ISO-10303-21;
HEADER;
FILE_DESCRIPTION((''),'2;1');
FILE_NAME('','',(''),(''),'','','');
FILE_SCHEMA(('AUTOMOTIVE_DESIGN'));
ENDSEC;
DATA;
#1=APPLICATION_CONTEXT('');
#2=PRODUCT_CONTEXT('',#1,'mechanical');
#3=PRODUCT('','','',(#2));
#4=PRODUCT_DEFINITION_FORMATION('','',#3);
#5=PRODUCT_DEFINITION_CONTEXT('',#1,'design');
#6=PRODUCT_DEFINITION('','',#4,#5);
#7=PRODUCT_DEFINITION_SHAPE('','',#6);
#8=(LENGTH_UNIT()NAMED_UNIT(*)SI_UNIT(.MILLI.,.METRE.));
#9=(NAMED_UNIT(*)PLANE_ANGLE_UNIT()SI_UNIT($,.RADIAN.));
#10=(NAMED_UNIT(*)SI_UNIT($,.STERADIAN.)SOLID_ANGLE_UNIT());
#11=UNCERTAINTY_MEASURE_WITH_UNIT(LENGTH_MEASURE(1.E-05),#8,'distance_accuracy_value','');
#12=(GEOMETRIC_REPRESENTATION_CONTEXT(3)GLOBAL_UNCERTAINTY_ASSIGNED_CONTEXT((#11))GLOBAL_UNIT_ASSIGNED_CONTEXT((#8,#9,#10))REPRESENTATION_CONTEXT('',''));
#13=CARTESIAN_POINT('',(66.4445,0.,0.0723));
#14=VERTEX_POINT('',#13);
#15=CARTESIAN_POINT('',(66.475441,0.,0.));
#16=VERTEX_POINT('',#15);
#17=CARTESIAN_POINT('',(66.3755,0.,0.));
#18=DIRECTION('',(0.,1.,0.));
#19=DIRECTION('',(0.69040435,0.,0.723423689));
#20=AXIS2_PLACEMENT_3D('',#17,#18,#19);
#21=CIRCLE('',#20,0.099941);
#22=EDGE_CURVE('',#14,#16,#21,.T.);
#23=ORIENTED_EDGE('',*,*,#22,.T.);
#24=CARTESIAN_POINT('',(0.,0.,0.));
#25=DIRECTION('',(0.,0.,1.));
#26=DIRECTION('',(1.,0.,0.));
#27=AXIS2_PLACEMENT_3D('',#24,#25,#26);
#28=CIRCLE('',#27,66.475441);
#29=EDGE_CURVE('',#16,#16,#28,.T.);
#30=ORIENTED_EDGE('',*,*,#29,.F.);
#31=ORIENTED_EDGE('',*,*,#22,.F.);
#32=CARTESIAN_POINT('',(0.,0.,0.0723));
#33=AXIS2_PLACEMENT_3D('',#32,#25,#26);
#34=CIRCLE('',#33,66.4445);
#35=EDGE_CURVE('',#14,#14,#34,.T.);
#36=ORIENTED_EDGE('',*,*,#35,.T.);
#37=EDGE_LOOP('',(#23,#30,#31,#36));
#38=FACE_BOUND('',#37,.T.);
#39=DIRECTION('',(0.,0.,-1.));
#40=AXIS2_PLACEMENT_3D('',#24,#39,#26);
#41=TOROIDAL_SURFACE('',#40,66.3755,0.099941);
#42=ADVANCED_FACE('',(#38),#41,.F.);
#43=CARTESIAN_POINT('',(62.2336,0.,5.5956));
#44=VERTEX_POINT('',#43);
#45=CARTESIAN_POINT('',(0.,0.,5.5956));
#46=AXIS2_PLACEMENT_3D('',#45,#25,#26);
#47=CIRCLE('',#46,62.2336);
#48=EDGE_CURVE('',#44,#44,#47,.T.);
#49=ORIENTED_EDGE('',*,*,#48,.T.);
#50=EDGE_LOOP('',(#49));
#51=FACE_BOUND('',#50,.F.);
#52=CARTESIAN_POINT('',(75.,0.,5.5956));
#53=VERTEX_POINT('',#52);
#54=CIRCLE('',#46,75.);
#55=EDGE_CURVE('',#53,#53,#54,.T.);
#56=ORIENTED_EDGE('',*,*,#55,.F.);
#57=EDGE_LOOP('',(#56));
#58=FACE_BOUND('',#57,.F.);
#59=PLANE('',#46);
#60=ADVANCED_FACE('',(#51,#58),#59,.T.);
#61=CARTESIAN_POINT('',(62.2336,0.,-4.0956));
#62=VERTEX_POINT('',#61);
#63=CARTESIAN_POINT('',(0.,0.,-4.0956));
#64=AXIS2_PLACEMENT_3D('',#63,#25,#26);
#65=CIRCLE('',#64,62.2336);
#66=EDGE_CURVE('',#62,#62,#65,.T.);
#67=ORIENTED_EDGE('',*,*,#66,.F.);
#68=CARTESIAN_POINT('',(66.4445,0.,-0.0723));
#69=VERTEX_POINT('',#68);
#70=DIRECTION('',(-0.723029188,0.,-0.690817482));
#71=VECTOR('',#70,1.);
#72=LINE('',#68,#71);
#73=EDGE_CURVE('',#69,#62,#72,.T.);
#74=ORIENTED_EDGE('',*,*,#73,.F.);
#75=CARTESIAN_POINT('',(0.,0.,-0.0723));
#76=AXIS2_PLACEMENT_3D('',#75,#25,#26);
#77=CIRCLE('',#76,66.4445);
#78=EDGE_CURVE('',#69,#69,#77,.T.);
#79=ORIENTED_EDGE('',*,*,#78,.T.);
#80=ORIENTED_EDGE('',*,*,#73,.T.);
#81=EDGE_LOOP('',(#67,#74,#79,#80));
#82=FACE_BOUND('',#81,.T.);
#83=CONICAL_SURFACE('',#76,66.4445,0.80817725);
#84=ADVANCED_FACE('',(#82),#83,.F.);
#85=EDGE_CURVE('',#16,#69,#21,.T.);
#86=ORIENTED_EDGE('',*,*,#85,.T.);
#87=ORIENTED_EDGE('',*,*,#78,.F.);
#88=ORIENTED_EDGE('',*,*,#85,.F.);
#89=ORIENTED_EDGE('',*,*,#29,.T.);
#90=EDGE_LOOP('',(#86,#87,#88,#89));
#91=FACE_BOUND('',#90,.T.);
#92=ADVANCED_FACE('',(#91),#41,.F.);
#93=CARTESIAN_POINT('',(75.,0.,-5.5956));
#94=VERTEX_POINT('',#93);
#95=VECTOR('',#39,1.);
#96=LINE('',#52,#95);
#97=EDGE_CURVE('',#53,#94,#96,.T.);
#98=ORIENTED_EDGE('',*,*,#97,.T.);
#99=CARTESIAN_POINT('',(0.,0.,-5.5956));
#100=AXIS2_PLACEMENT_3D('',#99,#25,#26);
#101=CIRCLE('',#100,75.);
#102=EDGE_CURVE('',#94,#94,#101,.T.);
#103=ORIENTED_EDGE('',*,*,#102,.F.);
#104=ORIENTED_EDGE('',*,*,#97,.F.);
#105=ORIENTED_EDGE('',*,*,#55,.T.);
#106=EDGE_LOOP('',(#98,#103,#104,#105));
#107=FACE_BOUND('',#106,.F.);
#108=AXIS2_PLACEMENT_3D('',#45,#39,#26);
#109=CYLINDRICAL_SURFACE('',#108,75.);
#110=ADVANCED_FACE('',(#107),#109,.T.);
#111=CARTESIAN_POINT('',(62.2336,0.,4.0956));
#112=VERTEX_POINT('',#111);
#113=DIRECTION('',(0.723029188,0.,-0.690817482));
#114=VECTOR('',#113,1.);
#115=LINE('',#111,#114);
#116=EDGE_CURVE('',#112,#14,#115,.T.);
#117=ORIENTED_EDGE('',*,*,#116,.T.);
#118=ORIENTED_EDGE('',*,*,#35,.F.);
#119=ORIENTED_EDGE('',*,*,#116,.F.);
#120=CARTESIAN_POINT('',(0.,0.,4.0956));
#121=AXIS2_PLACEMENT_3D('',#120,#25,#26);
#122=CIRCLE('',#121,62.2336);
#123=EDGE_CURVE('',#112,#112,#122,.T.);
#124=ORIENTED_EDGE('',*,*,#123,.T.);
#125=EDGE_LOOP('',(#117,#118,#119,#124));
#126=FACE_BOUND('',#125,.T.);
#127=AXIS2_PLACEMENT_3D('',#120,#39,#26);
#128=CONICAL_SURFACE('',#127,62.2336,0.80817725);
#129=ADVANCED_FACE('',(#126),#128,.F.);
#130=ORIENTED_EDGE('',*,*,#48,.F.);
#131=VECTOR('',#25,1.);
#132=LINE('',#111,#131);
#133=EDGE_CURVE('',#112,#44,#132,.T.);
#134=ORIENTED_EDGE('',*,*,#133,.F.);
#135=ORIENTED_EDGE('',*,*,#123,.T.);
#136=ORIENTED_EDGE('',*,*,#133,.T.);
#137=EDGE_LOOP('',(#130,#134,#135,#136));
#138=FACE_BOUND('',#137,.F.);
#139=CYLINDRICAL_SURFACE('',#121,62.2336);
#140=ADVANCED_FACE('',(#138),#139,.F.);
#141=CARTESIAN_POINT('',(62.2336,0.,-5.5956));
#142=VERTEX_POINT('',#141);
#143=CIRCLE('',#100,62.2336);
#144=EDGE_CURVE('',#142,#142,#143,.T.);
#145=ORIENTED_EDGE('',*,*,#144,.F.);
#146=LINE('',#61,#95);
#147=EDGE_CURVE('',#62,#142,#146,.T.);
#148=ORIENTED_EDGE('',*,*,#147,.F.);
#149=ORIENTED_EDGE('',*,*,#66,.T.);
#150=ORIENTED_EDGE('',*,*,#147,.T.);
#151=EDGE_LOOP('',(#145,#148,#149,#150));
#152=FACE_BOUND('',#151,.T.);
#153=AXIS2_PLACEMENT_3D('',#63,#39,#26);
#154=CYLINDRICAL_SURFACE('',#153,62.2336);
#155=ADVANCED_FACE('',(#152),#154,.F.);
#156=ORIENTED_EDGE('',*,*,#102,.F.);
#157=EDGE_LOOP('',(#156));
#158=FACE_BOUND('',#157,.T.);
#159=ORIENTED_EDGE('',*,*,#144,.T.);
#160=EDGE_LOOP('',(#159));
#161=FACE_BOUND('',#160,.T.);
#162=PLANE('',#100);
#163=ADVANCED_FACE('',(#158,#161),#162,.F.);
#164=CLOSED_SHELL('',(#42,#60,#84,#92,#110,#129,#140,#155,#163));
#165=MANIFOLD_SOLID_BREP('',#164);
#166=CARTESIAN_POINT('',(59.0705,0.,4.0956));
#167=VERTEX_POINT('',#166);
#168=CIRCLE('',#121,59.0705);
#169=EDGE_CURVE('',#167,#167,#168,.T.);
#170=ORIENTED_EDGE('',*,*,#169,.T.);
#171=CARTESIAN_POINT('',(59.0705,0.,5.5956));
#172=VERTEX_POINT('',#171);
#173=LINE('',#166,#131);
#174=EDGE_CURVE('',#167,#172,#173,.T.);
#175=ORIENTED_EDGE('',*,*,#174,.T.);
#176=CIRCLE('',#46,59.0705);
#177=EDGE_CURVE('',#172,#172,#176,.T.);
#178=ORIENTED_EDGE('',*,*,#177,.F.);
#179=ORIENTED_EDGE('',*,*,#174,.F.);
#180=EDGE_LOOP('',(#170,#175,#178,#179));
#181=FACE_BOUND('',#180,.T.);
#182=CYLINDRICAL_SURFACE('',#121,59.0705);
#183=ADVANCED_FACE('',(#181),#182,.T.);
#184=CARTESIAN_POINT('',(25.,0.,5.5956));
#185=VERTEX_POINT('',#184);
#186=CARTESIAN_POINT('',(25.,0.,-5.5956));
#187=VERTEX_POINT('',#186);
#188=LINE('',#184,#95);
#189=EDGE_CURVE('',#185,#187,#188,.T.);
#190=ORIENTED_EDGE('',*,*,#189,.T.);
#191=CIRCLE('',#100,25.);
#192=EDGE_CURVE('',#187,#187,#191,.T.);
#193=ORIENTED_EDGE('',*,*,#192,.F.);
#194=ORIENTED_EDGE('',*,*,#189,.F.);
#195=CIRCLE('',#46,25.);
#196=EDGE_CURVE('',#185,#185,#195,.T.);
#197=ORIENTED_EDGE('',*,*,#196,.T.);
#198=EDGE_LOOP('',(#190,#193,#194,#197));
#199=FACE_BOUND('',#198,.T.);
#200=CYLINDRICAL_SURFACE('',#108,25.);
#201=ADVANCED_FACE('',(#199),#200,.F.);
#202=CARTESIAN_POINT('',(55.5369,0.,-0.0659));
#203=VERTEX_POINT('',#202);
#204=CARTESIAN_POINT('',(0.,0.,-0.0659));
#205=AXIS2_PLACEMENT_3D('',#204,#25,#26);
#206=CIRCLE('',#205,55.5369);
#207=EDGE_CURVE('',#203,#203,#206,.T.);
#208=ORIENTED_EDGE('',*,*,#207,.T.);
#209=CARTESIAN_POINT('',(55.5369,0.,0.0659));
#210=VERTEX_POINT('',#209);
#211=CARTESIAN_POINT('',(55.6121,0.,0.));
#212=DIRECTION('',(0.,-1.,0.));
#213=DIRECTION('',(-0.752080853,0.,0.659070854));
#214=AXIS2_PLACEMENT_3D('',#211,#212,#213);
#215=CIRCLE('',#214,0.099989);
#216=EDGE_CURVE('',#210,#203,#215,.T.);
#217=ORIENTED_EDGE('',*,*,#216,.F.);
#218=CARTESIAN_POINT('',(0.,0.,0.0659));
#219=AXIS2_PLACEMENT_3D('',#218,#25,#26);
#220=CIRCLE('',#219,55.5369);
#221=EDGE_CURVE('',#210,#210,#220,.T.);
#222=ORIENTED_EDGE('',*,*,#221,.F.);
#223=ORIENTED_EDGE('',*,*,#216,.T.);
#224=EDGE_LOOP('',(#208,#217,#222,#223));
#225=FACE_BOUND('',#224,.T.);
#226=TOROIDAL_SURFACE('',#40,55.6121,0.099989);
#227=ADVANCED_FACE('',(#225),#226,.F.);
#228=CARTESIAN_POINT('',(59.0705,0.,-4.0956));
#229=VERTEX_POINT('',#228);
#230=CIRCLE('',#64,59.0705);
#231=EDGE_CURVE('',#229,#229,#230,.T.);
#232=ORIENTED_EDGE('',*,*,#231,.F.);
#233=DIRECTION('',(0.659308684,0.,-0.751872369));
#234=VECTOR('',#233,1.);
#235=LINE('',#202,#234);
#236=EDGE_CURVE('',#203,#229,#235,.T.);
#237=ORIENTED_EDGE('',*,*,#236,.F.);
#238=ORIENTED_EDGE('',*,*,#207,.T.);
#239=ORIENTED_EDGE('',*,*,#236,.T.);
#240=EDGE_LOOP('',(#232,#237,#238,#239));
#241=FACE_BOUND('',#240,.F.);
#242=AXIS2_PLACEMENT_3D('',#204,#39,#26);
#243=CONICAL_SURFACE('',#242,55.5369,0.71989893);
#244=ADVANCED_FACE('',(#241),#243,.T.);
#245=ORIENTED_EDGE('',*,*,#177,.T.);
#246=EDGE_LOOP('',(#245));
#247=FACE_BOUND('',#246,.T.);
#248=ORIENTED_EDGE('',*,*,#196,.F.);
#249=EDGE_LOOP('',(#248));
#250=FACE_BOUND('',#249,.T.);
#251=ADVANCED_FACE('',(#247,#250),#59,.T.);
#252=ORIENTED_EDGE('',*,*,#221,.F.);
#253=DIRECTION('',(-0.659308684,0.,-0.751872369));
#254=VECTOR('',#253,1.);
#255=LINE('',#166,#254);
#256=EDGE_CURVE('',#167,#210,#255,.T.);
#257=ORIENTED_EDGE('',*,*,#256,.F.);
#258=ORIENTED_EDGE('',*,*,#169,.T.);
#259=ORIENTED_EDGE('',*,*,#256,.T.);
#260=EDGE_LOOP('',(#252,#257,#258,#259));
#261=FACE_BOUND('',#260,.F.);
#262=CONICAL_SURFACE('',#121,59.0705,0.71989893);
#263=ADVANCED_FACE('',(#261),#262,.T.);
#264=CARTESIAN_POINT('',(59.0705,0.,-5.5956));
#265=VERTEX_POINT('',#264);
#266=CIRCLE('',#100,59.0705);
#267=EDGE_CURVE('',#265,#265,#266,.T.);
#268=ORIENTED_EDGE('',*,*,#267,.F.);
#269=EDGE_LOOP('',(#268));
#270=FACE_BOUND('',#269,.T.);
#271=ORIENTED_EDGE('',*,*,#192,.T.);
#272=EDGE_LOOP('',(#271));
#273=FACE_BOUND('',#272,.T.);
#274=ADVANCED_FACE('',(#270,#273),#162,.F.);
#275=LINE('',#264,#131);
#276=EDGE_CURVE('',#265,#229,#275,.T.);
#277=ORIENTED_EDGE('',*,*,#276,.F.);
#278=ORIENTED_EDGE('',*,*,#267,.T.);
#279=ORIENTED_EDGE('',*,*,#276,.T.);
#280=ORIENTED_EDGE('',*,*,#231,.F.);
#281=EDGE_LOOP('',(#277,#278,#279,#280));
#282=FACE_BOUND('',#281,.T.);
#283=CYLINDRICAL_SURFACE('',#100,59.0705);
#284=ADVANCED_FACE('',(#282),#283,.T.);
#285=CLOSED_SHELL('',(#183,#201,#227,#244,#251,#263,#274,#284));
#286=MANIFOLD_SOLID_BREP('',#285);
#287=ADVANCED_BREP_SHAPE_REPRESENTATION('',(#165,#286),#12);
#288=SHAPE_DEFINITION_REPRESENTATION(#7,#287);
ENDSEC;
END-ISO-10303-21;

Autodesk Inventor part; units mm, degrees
ref_plane "YZ Plane" through (0, 0, 0) normal (1, 0, 0) x (0, 1, 0)
ref_plane "XZ Plane" through (0, 0, 0) normal (0, 1, 0) x (-1, 0, 0)
sketch "Sketch7" plane through (0, 0, 0) normal (0, 1, 0) x (-1, 0, 0)
  line L0 (0, 0) -> (0, 63.4182)
  line L1 (0, 0) -> (-60.766, 0) construction
  line L2 (0, 63.4182) -> (-60.766, 0) construction
  line L3 (0, 63.4182) -> (-66.3755, 0) construction
  line L4 (0, 63.4182) -> (-60.5189, -5.5956) construction
  line L5 (0, 0) -> (0, -63.4182)
  line L6 (0, -63.4182) -> (-60.766, 0) construction
  line L7 (0, -63.4182) -> (-66.3755, 0) construction
  line L8 (0, -63.4182) -> (-60.5189, 5.5956) construction
  line L9 (-60.5189, 5.5956) -> (-66.3755, 0) construction
  line L10 (-55.6121, 0) -> (-64.3632, -8.3612) construction
  line L11 (-55.6121, 0) -> (-39.6464, -15.2543) construction
  line L12 (0, -88.9988) -> (0, 125.9803) projected
  line L13 (-53.5, -5.9919) -> (-53.5, 6.008)
  line L14 (83.2786, 0) -> (-105.9214, 0) projected
  line L15 (-63.5667, 2.6836) -> (-57.9653, -2.6836) construction
  line L16 (-57.9653, 2.6836) -> (-63.5667, -2.6836) construction
  line L17 (-26.151, -15.9303) -> (-40.3783, -15.9303) construction
  line L18 (-40.3783, -15.9303) -> (-40.3783, -12.7539) construction
  line L19 (-40.3783, -12.7539) -> (-26.151, -12.7539) construction
  line L20 (-26.151, -12.7539) -> (-26.151, -15.9303) construction
  point P0 (-53.5, 0)
  dimension "Roller_Side_difference" = -0.164
  dimension "d90" = 63.4182
  dimension "d201" = 53.5
  dimension "d343" = 92.447
  dimension "d344" = 92.611
  dimension "d367" = 8.1
sketch "Sketch1" plane through (0, 0, 0) normal (0, 0, 1) x (1, 0, 0)
  circle A0 centre (0, 0) radius 60.766 construction
  line L0 (0, 0) -> (60.766, 0)
  line L1 (0, 0) -> (60.766, 4.025)
  line L2 (60.766, 0) -> (60.766, 4.025)
  circle A1 centre (0, 0) radius 53.5
  point P0 (56.8, 0)
  dimension "d56" = 60.766
  dimension "d57" = 4.025
  dimension "d400" = 53.5
  dimension "d531" = 5.5
  dimension "d532" = 5.5
  dimension "d533" = 5.5
  dimension "d537" = 24.5
  dimension "d538" = 3
  dimension "d543" = 5
  dimension "d549" = 3
  dimension "d550" = 3
  dimension "d567" = 5
  dimension "d568" = 5
sketch "Roller1" plane through (0, 0, 0) normal (0, 1, 0) x (-1, 0, 0)
  line L0 (0, 63.4182) -> (-60.5189, -5.5956) construction
  line L1 (0, 63.4182) -> (-66.3755, 0) construction
  line L2 (-55.6121, 0) -> (-39.6464, -15.2543) construction
  line L3 (0, -63.4182) -> (-66.3755, 0) construction
  line L4 (-55.5642, 0.0925) -> (-60.471, -5.5031)
  line L5 (-60.471, -5.5031) -> (-66.285, 0.0519)
  line L6 (-66.285, 0.0519) -> (-60.9033, 5.1938)
  line L7 (-60.9033, 5.1938) -> (-55.5642, 0.0925)
  line L8 (-52.4316, -2.9004) -> (-57.5682, -8.2765)
  line L9 (-53.1547, -2.2096) -> (-58.2912, -7.5857)
  point P0 (0, 0)
  point P1 (-63.378, -2.7256)
  dimension "d345" = 0.025
  dimension "d346" = 0.025
  dimension "d347" = 0.1
  dimension "d348" = 0.1
  dimension "d349" = 272.61
  dimension "d350" = 272.447
  dimension "d357" = 1
  dimension "d369" = 4.0148
sketch "Roller2" plane through (0, 0, 0) normal (0, 1, 0) x (-1, 0, 0)
  line L0 (0, -63.4182) -> (-60.5189, 5.5956) construction
  line L1 (-55.6121, 0) -> (-64.3632, -8.3612) construction
  line L2 (0, -63.4182) -> (-66.3755, 0) construction
  line L3 (0, 63.4182) -> (-66.3755, 0) construction
  line L4 (-60.471, 5.5031) -> (-55.6961, 0.058)
  line L5 (-55.6961, 0.058) -> (-61.048, -5.0555)
  line L6 (-61.048, -5.0555) -> (-66.285, -0.0519)
  line L7 (-66.285, -0.0519) -> (-60.471, 5.5031)
  line L8 (-63.378, 2.7256) -> (-58.3796, -2.5059)
  line L9 (-62.655, 3.4164) -> (-57.6565, -1.8151)
  point P0 (0, 0)
  dimension "d351" = 0.025
  dimension "d352" = 0.025
  dimension "d354" = 0.1
  dimension "d355" = 92.447
  dimension "d356" = 92.611
  dimension "d370" = 0.1
  dimension "d371" = 1
sketch "Sketch22" plane through (0, 0, 0) normal (0, 1, 0) x (-1, 0, 0)
  line L0 (-31.756, 8.0215) -> (-17.5287, 8.0215) construction
  line L1 (-17.5287, 8.0215) -> (-17.5287, 4.8451) construction
  line L2 (-17.5287, 4.8451) -> (-31.756, 4.8451) construction
  line L3 (-31.756, 4.8451) -> (-31.756, 8.0215) construction
  point P0 (0, 0)
  dimension "Roller_Side_difference" = -0.164
sketch "Sketch2" plane through (0, 0, 0) normal (0, 1, 0) x (-1, 0, 0)
  line L0 (0, 0) -> (0, 60.766) construction
  line L1 (0, 0) -> (-60.766, 0) projected
  line L2 (0, 0) -> (0, -60.766)
  line L3 (0, -60.766) -> (-60.766, 0) construction
  line L4 (0, 60.766) -> (-60.766, 0) construction
  line L5 (-78.8928, 100.3938) -> (0, 60.766) construction
  line L6 (-36.7785, 14.3639) -> (0, 60.766) construction
  line L7 (-36.7785, 14.3639) -> (0, -60.766) construction
  line L8 (-39.0257, 11.5288) -> (0, -60.766) construction
  point P0 (-41.1854, 19.5806)
sketch "Sketch23" plane through (0, 0, 0) normal (0, 1, 0) x (-1, 0, 0)
  line L0 (0, -63.4182) -> (-60.5189, 5.5956) construction
  line L1 (0, -63.4182) -> (-66.3755, 0) construction
  line L2 (0, 63.4182) -> (-60.5189, -5.5956) construction
  line L3 (-60.5189, 5.5956) -> (-66.3755, 0) construction
  line L4 (0, 63.4182) -> (-66.3755, 0) construction
  line L5 (-60.5189, 5.5956) -> (-60.5189, -5.5956) construction
  line L6 (83.2786, 0) -> (-105.9214, 0) projected
  line L7 (-59.0705, 4.0956) -> (-55.5369, 0.0659)
  line L8 (-55.5369, -0.0659) -> (-59.0705, -4.0956)
  line L9 (-62.2336, 4.0956) -> (-66.4445, 0.0723)
  line L10 (-66.4445, -0.0723) -> (-62.2336, -4.0956)
  arc A0 (-66.4445, 0.0723) -> (-66.4445, -0.0723) centre (-66.3755, 0) ccw
  arc A1 (-55.5369, -0.0659) -> (-55.5369, 0.0659) centre (-55.6121, 0) ccw
  line L11 (-59.0705, 4.0956) -> (-59.0705, 5.5956)
  line L12 (-59.0705, 5.5956) -> (-25, 5.5956)
  line L13 (-25, 5.5956) -> (-25, -5.5956)
  line L14 (-25, -5.5956) -> (-59.0705, -5.5956)
  line L15 (-59.0705, -5.5956) -> (-59.0705, -4.0956)
  line L16 (-62.2336, 4.0956) -> (-62.2336, 5.5956)
  line L17 (-62.2336, 5.5956) -> (-75, 5.5956)
  line L18 (-75, 5.5956) -> (-75, -5.5956)
  line L19 (-62.2336, -4.0956) -> (-62.2336, -5.5956)
  line L20 (-62.2336, -5.5956) -> (-75, -5.5956)
  line L21 (-60.5189, 5.5956) -> (-60.5189, 5.5956)
  line L22 (-60.5189, -5.5956) -> (-60.5189, -5.5956)
  line L23 (0, -88.9988) -> (0, 125.9803) projected
  line L24 (-66.5202, 0) -> (-75, 0)
  point P0 (0, 0)
  point P1 (-55.4791, 0)
  point P2 (-66.4755, 0)
  point P3 (-75, 0)
  dimension "d378" = 90
  dimension "d379" = 0.1
  dimension "d380" = 0.1
  dimension "d381" = 0.1
  dimension "d382" = 0.1
  dimension "d383" = 0.1
  dimension "d384" = 11.1912
  dimension "d385" = 0
  dimension "d386" = 0
  dimension "d391" = 25
  dimension "d392" = 75
  dimension "d393" = 1.5
  dimension "d394" = 1.5
  dimension "d395" = 1.5
  dimension "d396" = 1.5
revolve "RevRoller1" [suppressed]
fillet "Fillet1" [suppressed]
sketch "Sketch40" plane through (0, 0, -5.5956) normal (0, 0, -1) x (-1, 0, 0)
  circle A0 centre (75, 0) radius 2.5 projected
  circle A1 centre (0, 0) radius 53.5 projected
  point P0 (53.4416, 2.4993)
  point P1 (53.4416, -2.4993)
sketch "Sketch43" plane through (0, 0, 20) normal (0, 0, 1) x (1, 0, 0)
  circle A0 centre (0, 0) radius 14.9199 projected
  circle A1 centre (0, 0) radius 70.1809
  circle A2 centre (0, 0) radius 22.9199
  circle A3 centre (0, 0) radius 21.1699
  circle A4 centre (-21.1699, 0) radius 1.5
  circle A5 centre (21.4375, -37.1308) radius 1.5 projected
  circle A6 centre (15.3125, 26.522) radius 1.5 projected
  circle A7 centre (0, 0) radius 1 projected
  circle A8 centre (15.3125, 26.522) radius 1.5 projected
  line L0 (0, 0) -> (35.0904, 60.7784)
  line L1 (0, 0) -> (35.0904, -60.7784)
  circle A9 centre (-30.625, 0) radius 2.5 projected
  line L2 (-21.1699, -8.7839) -> (-21.1699, 8.7839)
  circle A10 centre (-30.625, 0) radius 4.5
  arc A11 (-30.625, 4.5) -> (-21.1699, 8.7839) centre (-30.3626, 16.4971) ccw
  arc A12 (-21.1699, -8.7839) -> (-30.625, -4.5) centre (-30.3626, -16.4971) ccw
  circle A13 centre (21.1699, 0) radius 1.5
  line L3 (21.1699, 8.7839) -> (21.1699, -8.7839)
  circle A14 centre (30.625, 0) radius 4.5
  arc A15 (30.625, -4.5) -> (21.1699, -8.7839) centre (30.3626, -16.4971) ccw
  arc A16 (21.1699, 8.7839) -> (30.625, 4.5) centre (30.3626, 16.4971) ccw
  point P0 (-30.4819, -4.4977)
  point P1 (-30.4819, 4.4977)
  point P2 (11.46, 19.8492)
  point P3 (14.5625, 25.223)
  point P4 (16.0625, 27.8211)
  point P5 (22.1875, -38.4299)
  point P6 (20.6875, -35.8318)
  point P7 (11.46, -19.8492)
  point P8 (30.4819, -4.4977)
  point P9 (30.4819, 4.4977)
  dimension "d585" = 8
  dimension "d587" = 1.75
  dimension "d589" = 3
  dimension "d592" = 2
  dimension "d593" = 12
  dimension "d594" = 12
  dimension "d597" = 3
  dimension "d598" = 12
  dimension "d599" = 12
pattern_circular "Circular Pattern13" [suppressed]
feature "Move Body7" [suppressed]
revolve "Revolution13" [suppressed]
fillet "Fillet3" [suppressed]
pattern_circular "Circular Pattern14" [suppressed]
feature "Move Body6" [suppressed]
revolve "Revolution14" add sketch "Sketch23" angle 360 about axis through (0, 0, -10) along (0, 0, 1) contours A1 L7 L11 L12 L13 L6 | L6 L13 L14 L15 L8 A1
revolve "OuterRim_Top2" add sketch "Sketch23" angle 360 about axis through (0, 0, -10) along (0, 0, 1) contours L6 A0 L10 L19 L20 L18
revolve "OuterRim_Bottom2" add sketch "Sketch23" angle 360 about axis through (0, 0, -10) along (0, 0, 1) contours L6 L18 L17 L16 L9 A0
sketch "Sketch30" plane through (0, 0, 5.5956) normal (0, 0, 1) x (1, 0, 0)
  circle A0 centre (0, 0) radius 25 projected
  line L0 (0, 0) -> (2.5, 0)
  circle A1 centre (2.5, 0) radius 4
  dimension "d495" = 2.5
  dimension "d496" = 8
ref_plane "Work Plane7" through (0, 0, 100) normal (0, 0, 1) x (1, 0, 0)
sketch "Sketch44" plane through (0, 0, 100) normal (0, 0, 1) x (1, 0, 0)
  circle A0 centre (0, 0) radius 75 projected
  circle A1 centre (0, 0) radius 62.2336 projected
  circle A2 centre (0, 0) radius 59.0705 projected
  circle A3 centre (0, 0) radius 25 projected
  line L0 (0, 0) -> (-18.375, 31.8264) construction
  line L1 (0, -105) -> (0, 105) projected
  circle A4 centre (0, 0) radius 36.75 construction
  dimension "d604" = 73.5
  dimension "d603" = 30
equation "\"Roller_Side_difference\" = -0.163578deg"
equation "\"Cycloid_Top_Plate_Fasner_Inner\" = 61.25"
equation "\"Cycloid_Top_Plate_Fasner_Outer\" = 85.75"
equation "\"Roller_Hole_Radius\" = 1"
equation "\"Distance_To_Bearing\" = 87.83151"
equation "\"Bearing_Roller_Gap_Reduction\" = 0.2"
equation "\"d514\" = 0.2"
equation "\"Side_Bearing_Outer_Diameter\" = 75"
equation "\"Side_Bearing_Inner_Diameter\" = 25"
properties part number "OuterBearingTest_TBS"
